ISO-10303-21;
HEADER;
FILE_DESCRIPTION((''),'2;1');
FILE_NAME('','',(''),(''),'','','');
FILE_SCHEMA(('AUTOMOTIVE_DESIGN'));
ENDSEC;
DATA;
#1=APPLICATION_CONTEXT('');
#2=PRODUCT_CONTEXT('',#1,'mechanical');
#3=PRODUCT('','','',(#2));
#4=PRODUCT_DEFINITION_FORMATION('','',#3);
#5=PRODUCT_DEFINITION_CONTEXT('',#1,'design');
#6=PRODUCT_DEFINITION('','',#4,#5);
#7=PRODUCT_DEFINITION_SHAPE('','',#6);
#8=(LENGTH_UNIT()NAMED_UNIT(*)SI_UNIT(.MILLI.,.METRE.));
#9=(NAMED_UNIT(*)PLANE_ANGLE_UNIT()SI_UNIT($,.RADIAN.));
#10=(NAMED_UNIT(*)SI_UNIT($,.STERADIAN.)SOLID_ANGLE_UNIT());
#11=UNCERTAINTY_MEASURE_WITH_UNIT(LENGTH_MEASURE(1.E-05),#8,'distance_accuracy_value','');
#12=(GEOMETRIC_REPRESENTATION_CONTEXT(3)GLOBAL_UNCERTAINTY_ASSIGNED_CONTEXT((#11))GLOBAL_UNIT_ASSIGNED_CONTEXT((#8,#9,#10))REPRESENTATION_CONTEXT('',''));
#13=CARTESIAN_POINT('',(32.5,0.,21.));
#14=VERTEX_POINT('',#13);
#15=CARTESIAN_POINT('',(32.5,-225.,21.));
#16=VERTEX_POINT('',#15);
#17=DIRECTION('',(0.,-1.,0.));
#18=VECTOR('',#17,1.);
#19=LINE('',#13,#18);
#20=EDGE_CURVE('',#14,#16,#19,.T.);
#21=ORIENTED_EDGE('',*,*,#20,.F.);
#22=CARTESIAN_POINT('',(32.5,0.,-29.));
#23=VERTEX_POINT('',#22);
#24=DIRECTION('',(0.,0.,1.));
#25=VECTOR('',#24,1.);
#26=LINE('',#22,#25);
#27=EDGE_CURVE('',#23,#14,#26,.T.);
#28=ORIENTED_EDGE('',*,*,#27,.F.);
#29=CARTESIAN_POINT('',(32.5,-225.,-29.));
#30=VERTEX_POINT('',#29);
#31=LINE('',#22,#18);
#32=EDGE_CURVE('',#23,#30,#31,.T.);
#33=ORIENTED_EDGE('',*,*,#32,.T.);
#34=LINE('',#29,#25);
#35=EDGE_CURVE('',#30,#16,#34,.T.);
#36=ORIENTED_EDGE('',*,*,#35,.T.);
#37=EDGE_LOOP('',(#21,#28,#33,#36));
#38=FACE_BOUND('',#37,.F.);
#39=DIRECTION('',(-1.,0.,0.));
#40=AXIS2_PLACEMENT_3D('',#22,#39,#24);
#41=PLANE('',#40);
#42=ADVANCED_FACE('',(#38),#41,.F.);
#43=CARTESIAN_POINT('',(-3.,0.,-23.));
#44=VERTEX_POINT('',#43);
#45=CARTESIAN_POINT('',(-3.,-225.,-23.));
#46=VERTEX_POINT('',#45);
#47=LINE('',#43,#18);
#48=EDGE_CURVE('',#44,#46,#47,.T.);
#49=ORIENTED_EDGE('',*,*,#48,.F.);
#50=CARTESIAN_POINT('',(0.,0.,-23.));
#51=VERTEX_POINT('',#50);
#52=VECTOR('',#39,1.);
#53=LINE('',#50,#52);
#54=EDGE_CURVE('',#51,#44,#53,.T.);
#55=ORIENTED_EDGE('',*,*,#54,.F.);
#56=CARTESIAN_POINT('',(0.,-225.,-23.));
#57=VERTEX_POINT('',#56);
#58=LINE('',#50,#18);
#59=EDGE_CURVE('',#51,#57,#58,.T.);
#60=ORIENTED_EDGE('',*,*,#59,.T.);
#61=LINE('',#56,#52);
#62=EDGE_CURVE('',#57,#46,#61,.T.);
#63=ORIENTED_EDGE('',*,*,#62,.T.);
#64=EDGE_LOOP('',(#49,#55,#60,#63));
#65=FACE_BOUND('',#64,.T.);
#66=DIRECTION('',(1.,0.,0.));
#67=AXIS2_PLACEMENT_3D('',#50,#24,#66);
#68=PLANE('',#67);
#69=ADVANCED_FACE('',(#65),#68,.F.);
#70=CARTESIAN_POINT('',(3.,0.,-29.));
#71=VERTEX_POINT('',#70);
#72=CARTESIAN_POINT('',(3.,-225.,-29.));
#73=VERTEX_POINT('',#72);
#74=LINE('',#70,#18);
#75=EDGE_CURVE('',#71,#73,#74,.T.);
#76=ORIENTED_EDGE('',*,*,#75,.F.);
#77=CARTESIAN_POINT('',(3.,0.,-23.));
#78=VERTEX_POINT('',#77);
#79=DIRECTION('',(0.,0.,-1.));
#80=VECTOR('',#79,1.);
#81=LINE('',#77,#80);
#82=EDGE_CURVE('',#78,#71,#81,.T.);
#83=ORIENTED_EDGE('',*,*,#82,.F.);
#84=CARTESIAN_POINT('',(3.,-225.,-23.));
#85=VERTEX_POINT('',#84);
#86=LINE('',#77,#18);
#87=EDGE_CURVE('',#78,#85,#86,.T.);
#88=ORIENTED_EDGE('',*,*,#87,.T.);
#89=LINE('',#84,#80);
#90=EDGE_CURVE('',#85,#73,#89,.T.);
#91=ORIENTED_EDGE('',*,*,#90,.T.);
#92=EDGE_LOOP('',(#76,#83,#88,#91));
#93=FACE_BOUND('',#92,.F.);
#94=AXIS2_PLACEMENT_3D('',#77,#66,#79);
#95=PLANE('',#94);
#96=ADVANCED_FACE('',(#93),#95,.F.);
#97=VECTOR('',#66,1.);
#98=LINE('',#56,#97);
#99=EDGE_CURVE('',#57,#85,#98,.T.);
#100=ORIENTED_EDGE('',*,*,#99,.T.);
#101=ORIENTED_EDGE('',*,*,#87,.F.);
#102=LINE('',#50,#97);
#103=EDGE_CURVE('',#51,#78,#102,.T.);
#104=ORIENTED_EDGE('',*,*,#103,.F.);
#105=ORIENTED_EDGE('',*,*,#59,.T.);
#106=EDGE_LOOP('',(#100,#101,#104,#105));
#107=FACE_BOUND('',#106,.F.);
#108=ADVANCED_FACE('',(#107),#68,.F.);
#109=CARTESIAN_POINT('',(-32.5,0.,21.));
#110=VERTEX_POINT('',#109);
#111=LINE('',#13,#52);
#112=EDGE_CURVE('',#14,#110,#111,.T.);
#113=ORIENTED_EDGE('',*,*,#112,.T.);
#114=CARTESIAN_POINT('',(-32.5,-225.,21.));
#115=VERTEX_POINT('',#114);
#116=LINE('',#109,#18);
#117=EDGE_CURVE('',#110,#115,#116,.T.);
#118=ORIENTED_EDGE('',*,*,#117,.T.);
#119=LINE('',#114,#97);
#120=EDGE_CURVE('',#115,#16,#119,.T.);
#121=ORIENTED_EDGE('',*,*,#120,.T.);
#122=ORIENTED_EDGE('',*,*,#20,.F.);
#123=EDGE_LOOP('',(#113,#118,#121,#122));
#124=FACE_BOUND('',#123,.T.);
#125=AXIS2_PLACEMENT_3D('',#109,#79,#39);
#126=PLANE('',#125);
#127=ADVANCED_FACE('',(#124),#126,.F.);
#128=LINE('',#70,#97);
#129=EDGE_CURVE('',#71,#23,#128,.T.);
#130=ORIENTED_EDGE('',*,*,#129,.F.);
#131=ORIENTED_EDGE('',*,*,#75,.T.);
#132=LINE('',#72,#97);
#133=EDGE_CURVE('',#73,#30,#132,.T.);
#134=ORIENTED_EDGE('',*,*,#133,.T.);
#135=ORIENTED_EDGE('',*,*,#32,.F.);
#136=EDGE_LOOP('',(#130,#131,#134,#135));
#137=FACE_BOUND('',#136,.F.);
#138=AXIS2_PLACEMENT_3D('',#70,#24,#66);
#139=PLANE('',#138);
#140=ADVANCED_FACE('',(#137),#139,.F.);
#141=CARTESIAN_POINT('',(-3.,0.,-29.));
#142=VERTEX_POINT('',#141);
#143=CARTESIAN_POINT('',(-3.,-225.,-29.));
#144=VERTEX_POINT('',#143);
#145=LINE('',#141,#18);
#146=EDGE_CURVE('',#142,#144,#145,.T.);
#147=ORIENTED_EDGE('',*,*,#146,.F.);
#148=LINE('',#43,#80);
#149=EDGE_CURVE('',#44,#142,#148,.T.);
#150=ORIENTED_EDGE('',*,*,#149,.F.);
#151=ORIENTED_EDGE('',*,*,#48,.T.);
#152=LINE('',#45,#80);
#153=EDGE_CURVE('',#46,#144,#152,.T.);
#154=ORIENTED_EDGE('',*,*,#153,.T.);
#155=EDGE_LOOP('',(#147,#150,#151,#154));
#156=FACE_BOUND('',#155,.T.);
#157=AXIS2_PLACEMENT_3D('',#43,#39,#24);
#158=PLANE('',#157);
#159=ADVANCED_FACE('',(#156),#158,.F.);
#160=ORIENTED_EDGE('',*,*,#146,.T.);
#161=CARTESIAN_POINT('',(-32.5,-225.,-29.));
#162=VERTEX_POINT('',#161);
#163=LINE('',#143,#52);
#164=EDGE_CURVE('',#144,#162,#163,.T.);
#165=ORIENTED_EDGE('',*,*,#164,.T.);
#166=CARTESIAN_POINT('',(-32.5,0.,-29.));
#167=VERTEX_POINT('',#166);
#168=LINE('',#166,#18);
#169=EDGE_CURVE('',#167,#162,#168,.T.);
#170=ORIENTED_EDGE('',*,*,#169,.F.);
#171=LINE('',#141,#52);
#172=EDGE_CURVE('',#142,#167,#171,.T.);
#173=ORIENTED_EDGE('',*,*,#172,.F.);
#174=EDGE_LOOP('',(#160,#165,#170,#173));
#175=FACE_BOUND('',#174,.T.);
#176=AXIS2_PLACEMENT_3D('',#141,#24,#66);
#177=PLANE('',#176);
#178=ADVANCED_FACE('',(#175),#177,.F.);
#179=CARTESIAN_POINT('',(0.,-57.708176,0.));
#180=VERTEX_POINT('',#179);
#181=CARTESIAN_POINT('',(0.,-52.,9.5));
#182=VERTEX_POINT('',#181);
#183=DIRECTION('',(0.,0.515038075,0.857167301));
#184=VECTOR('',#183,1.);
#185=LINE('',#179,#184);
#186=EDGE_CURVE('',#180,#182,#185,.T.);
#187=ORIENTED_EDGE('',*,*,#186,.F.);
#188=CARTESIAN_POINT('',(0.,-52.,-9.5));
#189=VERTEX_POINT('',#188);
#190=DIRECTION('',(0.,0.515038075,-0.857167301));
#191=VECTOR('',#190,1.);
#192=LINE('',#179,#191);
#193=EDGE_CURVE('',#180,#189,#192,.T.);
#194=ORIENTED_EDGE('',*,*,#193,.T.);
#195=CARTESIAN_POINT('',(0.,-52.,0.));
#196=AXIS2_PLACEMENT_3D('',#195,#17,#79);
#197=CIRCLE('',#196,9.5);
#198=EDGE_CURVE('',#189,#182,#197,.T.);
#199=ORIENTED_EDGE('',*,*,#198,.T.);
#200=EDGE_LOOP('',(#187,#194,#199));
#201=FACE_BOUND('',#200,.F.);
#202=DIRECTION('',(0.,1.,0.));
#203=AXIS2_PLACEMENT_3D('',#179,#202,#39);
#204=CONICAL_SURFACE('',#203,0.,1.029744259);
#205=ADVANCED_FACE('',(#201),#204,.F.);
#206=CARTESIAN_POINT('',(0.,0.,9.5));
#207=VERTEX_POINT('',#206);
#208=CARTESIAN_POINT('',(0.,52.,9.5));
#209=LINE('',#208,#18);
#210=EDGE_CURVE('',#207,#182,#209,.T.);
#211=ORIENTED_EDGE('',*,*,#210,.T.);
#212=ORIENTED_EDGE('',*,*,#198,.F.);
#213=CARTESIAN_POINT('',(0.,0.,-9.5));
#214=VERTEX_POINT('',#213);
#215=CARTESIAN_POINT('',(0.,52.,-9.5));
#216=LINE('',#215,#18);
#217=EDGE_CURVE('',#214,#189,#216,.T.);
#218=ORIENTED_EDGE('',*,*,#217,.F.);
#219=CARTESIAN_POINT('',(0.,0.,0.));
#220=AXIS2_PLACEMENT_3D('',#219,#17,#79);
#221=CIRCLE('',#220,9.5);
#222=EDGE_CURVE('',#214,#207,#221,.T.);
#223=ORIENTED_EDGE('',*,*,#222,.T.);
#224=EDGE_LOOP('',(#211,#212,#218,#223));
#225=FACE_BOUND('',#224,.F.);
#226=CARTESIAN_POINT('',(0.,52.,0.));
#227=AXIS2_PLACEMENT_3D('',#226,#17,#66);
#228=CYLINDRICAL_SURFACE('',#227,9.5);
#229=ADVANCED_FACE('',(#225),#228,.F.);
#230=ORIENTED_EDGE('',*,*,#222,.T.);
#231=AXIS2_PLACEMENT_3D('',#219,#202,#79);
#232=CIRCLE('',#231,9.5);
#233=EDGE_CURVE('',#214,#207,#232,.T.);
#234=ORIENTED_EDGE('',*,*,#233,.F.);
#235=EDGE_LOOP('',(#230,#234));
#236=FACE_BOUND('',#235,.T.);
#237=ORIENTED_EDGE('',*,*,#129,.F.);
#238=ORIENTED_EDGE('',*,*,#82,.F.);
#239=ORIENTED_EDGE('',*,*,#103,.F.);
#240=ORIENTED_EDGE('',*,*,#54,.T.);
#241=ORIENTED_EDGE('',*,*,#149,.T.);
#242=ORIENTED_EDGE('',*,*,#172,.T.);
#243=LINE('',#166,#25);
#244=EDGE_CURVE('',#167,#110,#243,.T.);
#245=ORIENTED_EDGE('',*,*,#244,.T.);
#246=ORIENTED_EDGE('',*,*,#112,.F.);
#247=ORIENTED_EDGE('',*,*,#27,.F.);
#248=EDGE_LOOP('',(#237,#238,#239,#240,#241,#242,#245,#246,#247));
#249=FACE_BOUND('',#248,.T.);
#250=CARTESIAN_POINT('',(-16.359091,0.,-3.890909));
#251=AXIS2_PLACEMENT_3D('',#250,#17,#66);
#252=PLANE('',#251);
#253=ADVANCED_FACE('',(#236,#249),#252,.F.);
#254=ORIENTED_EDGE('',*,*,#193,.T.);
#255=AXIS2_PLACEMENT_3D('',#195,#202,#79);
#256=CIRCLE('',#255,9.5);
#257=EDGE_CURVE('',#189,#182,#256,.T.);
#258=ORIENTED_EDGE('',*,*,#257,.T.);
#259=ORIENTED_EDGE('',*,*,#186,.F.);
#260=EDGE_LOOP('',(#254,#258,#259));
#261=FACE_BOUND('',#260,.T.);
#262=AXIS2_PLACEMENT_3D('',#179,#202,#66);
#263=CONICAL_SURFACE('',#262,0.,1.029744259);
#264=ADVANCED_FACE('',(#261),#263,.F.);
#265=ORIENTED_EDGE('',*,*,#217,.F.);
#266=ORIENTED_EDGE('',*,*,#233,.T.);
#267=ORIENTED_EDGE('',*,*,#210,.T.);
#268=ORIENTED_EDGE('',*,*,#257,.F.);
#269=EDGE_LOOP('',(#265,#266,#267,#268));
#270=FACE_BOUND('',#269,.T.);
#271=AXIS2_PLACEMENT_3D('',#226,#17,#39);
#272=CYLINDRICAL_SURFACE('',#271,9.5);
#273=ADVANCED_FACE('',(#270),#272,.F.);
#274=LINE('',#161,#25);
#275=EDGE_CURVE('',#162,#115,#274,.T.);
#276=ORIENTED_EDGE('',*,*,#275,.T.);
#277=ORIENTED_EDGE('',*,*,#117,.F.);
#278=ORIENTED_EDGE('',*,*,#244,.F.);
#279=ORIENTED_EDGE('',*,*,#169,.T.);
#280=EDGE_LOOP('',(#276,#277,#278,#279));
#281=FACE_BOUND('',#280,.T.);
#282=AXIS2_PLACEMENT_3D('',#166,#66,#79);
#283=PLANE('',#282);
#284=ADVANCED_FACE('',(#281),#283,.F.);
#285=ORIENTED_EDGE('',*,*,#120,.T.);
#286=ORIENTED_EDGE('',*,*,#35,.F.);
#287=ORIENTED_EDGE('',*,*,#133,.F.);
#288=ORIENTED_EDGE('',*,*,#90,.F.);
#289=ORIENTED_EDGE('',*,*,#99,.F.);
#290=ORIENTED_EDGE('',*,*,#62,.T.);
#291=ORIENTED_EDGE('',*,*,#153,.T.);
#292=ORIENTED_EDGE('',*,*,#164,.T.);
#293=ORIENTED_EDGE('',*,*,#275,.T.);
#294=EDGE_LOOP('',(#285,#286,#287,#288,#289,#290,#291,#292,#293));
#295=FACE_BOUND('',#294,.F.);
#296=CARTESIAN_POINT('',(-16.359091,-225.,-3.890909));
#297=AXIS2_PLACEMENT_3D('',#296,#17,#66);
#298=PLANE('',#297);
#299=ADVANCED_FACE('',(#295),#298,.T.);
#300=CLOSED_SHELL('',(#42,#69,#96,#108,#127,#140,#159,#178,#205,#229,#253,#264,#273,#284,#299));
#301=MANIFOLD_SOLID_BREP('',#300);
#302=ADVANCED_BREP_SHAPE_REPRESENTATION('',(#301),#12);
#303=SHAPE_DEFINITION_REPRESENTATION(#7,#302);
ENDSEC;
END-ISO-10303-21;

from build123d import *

# Parameters (mm, degrees)
F1_DEPTH = 225
F3_D     = 19
F3_DEPTH = 52
F3_TIP   = 5.7081758808


with BuildPart() as f1:
    # F0 (on Front) → F1 (new body)
    with BuildSketch(Plane.XZ):
        Polygon((32.5, 21), (0, 21), (0, -23), (3, -23), (3, -29), (32.5, -29), align=None)
    extrude(amount=F1_DEPTH)

    # F3
    with Locations(Plane(origin=(0, 0, 0), x_dir=(-1, 0, 0), z_dir=(0, 1, 0))):
        with Locations((0, 0)):
            Hole(F3_D / 2, depth=F3_DEPTH)
            with Locations((0, 0, -(F3_DEPTH + F3_TIP / 2))):  # 118° drill point
                Cone(0, F3_D / 2, F3_TIP, mode=Mode.SUBTRACT)

    # F4: F1 across face


with BuildPart() as f1_1:
    add(f1.part)
    add(f1.part.mirror(Plane(origin=(0, -122.5069848753, -1.1176625039), x_dir=(0, -1, 0), z_dir=(-1, 0, 0))))


solid = f1_1.part
